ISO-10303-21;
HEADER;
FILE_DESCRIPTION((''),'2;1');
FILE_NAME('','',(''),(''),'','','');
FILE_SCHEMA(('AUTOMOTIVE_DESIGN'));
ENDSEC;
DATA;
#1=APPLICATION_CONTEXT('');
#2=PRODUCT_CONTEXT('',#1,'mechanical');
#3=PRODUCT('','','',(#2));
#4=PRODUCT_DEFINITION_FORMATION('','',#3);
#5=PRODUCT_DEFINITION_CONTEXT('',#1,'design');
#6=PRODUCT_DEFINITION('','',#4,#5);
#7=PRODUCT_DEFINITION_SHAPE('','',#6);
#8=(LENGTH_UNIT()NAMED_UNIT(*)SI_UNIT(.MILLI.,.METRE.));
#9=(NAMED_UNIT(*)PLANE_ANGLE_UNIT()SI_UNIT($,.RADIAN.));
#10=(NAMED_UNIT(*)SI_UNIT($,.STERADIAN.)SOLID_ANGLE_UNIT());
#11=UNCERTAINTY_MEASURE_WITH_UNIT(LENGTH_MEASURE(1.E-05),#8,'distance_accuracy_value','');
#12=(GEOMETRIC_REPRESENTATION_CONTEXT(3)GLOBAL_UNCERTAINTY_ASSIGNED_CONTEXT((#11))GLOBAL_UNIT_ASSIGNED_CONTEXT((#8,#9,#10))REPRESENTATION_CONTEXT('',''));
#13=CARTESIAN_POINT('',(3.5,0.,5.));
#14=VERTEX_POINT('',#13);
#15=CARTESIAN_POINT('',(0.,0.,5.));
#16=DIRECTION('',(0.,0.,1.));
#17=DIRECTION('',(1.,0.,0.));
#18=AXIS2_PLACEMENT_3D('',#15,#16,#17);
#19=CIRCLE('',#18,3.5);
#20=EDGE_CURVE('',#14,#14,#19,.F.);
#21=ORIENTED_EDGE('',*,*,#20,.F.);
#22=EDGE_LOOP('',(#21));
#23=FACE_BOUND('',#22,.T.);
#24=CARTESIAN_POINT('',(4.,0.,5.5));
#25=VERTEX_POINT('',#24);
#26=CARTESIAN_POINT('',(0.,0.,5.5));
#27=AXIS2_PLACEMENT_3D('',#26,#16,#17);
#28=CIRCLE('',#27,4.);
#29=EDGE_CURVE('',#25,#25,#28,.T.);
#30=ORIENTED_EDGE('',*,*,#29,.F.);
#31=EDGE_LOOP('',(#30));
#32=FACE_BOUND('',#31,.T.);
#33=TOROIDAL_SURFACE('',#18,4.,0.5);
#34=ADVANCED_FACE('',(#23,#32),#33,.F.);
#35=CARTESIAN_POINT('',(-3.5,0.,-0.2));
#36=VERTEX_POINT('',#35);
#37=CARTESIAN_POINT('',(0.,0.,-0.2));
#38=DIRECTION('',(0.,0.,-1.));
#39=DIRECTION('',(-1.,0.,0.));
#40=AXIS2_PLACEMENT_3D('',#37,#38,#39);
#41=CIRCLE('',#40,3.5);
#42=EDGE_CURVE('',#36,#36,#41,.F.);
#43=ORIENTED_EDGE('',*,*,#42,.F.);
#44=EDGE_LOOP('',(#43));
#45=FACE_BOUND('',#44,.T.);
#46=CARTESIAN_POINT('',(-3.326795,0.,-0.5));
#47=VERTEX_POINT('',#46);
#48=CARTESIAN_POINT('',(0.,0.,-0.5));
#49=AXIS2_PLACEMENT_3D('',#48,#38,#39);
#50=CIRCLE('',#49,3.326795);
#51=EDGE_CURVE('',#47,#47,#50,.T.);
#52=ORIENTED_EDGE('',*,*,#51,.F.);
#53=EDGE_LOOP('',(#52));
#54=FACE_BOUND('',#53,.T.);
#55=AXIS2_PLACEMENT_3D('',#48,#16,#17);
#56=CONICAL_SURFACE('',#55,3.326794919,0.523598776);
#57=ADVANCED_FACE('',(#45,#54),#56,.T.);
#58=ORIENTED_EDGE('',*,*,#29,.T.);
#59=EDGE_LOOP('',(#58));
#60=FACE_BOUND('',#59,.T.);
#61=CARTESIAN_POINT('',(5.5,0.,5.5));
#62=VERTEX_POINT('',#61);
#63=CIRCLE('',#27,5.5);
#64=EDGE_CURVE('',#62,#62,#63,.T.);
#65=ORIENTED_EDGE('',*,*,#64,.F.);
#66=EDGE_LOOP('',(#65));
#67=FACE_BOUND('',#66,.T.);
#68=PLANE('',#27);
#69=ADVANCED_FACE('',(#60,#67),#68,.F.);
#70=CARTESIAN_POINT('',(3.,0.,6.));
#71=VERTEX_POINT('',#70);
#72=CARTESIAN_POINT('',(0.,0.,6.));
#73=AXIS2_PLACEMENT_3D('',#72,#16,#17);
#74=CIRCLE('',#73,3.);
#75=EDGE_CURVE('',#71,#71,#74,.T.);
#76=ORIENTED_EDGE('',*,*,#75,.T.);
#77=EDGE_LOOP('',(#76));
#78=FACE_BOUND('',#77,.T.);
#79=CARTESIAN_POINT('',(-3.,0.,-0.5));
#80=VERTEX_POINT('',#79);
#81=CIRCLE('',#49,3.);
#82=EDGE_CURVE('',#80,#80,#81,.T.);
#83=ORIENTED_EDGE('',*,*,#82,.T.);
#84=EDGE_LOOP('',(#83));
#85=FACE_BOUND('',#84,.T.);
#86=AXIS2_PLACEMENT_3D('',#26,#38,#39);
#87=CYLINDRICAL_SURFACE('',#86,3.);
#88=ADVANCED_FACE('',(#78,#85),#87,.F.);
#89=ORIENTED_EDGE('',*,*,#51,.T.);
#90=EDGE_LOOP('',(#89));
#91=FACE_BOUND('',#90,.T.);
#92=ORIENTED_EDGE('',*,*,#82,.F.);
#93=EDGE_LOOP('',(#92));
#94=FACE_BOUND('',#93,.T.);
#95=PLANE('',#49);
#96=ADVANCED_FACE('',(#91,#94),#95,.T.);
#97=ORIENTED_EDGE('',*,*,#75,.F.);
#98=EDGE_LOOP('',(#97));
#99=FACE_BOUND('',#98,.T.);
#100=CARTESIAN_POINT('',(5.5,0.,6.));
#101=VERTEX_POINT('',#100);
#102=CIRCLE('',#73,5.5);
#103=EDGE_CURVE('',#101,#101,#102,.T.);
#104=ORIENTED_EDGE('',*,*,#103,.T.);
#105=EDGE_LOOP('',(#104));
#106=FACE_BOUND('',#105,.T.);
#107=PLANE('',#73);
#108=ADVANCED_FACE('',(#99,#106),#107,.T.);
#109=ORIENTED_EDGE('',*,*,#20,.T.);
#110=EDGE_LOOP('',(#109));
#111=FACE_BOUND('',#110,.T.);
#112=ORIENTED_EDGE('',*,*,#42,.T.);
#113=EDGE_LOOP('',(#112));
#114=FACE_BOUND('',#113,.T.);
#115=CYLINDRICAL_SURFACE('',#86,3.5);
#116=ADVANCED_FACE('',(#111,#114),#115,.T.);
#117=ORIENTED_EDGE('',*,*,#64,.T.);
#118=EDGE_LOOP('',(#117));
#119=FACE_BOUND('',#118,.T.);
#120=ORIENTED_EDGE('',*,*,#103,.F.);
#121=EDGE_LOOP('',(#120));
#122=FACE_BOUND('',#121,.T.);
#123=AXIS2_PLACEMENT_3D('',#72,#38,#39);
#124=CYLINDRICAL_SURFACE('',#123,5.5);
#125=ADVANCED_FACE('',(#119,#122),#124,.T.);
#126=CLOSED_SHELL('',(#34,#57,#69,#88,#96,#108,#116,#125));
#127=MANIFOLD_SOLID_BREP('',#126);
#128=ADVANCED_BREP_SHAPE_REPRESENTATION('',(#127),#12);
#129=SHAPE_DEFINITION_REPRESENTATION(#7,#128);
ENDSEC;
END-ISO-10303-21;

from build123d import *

# Parameters (mm, degrees)
ESBO_O1_R                = 3.5
ESBO_O1_R_2              = 3
RESSALTO_EXTRUS_O1_DEPTH = 5.5
ESBO_O2_R                = 3.5
ESBO_O2_R_2              = 3
RESSALTO_EXTRUS_O2_DEPTH = 0.5
ESBO_O3_R                = 5.5
ESBO_O3_R_2              = 3
RESSALTO_EXTRUS_O4_DEPTH = 0.5
FILETE1_R                = 0.5
CHANFRO1_SIZE            = 0.3
CHANFRO1_SIZE2           = 0.173205081


with BuildPart() as part:
    # Esboço1 → Ressalto-extrusão1 (new body)
    with BuildSketch(Plane.XY):
        Circle(ESBO_O1_R)
        Circle(ESBO_O1_R_2, mode=Mode.SUBTRACT)
    extrude(amount=RESSALTO_EXTRUS_O1_DEPTH)

    # Esboço2 → Ressalto-extrusão2 (add)
    with BuildSketch(Plane(origin=(0, 0, 0), x_dir=(-1, 0, 0), z_dir=(0, 0, -1))):
        Circle(ESBO_O2_R)
        Circle(ESBO_O2_R_2, mode=Mode.SUBTRACT)
    extrude(amount=RESSALTO_EXTRUS_O2_DEPTH)

    # Esboço3 → Ressalto-extrusão4 (add)
    with BuildSketch(Plane.XY.offset(5.5)):
        Circle(ESBO_O3_R)
        Circle(ESBO_O3_R_2, mode=Mode.SUBTRACT)
    extrude(amount=RESSALTO_EXTRUS_O4_DEPTH)

    # Filete1
    filete1_edges = [part.edges().sort_by_distance(p)[0] for p in [
        (-3.5, 0, 5.5),
    ]]
    fillet(filete1_edges, radius=FILETE1_R)

    # Chanfro1
    chanfro1_edges = [part.edges().sort_by_distance(p)[0] for p in [
        (3.5, 0, -0.5),
    ]]
    chanfro1_side = [part.faces().sort_by_distance(p)[0] for p in [
        (3.5, 0, -0.25),
    ]]
    chamfer(chanfro1_edges, length=CHANFRO1_SIZE, length2=CHANFRO1_SIZE2, reference=chanfro1_side[0])


solid = part.part
